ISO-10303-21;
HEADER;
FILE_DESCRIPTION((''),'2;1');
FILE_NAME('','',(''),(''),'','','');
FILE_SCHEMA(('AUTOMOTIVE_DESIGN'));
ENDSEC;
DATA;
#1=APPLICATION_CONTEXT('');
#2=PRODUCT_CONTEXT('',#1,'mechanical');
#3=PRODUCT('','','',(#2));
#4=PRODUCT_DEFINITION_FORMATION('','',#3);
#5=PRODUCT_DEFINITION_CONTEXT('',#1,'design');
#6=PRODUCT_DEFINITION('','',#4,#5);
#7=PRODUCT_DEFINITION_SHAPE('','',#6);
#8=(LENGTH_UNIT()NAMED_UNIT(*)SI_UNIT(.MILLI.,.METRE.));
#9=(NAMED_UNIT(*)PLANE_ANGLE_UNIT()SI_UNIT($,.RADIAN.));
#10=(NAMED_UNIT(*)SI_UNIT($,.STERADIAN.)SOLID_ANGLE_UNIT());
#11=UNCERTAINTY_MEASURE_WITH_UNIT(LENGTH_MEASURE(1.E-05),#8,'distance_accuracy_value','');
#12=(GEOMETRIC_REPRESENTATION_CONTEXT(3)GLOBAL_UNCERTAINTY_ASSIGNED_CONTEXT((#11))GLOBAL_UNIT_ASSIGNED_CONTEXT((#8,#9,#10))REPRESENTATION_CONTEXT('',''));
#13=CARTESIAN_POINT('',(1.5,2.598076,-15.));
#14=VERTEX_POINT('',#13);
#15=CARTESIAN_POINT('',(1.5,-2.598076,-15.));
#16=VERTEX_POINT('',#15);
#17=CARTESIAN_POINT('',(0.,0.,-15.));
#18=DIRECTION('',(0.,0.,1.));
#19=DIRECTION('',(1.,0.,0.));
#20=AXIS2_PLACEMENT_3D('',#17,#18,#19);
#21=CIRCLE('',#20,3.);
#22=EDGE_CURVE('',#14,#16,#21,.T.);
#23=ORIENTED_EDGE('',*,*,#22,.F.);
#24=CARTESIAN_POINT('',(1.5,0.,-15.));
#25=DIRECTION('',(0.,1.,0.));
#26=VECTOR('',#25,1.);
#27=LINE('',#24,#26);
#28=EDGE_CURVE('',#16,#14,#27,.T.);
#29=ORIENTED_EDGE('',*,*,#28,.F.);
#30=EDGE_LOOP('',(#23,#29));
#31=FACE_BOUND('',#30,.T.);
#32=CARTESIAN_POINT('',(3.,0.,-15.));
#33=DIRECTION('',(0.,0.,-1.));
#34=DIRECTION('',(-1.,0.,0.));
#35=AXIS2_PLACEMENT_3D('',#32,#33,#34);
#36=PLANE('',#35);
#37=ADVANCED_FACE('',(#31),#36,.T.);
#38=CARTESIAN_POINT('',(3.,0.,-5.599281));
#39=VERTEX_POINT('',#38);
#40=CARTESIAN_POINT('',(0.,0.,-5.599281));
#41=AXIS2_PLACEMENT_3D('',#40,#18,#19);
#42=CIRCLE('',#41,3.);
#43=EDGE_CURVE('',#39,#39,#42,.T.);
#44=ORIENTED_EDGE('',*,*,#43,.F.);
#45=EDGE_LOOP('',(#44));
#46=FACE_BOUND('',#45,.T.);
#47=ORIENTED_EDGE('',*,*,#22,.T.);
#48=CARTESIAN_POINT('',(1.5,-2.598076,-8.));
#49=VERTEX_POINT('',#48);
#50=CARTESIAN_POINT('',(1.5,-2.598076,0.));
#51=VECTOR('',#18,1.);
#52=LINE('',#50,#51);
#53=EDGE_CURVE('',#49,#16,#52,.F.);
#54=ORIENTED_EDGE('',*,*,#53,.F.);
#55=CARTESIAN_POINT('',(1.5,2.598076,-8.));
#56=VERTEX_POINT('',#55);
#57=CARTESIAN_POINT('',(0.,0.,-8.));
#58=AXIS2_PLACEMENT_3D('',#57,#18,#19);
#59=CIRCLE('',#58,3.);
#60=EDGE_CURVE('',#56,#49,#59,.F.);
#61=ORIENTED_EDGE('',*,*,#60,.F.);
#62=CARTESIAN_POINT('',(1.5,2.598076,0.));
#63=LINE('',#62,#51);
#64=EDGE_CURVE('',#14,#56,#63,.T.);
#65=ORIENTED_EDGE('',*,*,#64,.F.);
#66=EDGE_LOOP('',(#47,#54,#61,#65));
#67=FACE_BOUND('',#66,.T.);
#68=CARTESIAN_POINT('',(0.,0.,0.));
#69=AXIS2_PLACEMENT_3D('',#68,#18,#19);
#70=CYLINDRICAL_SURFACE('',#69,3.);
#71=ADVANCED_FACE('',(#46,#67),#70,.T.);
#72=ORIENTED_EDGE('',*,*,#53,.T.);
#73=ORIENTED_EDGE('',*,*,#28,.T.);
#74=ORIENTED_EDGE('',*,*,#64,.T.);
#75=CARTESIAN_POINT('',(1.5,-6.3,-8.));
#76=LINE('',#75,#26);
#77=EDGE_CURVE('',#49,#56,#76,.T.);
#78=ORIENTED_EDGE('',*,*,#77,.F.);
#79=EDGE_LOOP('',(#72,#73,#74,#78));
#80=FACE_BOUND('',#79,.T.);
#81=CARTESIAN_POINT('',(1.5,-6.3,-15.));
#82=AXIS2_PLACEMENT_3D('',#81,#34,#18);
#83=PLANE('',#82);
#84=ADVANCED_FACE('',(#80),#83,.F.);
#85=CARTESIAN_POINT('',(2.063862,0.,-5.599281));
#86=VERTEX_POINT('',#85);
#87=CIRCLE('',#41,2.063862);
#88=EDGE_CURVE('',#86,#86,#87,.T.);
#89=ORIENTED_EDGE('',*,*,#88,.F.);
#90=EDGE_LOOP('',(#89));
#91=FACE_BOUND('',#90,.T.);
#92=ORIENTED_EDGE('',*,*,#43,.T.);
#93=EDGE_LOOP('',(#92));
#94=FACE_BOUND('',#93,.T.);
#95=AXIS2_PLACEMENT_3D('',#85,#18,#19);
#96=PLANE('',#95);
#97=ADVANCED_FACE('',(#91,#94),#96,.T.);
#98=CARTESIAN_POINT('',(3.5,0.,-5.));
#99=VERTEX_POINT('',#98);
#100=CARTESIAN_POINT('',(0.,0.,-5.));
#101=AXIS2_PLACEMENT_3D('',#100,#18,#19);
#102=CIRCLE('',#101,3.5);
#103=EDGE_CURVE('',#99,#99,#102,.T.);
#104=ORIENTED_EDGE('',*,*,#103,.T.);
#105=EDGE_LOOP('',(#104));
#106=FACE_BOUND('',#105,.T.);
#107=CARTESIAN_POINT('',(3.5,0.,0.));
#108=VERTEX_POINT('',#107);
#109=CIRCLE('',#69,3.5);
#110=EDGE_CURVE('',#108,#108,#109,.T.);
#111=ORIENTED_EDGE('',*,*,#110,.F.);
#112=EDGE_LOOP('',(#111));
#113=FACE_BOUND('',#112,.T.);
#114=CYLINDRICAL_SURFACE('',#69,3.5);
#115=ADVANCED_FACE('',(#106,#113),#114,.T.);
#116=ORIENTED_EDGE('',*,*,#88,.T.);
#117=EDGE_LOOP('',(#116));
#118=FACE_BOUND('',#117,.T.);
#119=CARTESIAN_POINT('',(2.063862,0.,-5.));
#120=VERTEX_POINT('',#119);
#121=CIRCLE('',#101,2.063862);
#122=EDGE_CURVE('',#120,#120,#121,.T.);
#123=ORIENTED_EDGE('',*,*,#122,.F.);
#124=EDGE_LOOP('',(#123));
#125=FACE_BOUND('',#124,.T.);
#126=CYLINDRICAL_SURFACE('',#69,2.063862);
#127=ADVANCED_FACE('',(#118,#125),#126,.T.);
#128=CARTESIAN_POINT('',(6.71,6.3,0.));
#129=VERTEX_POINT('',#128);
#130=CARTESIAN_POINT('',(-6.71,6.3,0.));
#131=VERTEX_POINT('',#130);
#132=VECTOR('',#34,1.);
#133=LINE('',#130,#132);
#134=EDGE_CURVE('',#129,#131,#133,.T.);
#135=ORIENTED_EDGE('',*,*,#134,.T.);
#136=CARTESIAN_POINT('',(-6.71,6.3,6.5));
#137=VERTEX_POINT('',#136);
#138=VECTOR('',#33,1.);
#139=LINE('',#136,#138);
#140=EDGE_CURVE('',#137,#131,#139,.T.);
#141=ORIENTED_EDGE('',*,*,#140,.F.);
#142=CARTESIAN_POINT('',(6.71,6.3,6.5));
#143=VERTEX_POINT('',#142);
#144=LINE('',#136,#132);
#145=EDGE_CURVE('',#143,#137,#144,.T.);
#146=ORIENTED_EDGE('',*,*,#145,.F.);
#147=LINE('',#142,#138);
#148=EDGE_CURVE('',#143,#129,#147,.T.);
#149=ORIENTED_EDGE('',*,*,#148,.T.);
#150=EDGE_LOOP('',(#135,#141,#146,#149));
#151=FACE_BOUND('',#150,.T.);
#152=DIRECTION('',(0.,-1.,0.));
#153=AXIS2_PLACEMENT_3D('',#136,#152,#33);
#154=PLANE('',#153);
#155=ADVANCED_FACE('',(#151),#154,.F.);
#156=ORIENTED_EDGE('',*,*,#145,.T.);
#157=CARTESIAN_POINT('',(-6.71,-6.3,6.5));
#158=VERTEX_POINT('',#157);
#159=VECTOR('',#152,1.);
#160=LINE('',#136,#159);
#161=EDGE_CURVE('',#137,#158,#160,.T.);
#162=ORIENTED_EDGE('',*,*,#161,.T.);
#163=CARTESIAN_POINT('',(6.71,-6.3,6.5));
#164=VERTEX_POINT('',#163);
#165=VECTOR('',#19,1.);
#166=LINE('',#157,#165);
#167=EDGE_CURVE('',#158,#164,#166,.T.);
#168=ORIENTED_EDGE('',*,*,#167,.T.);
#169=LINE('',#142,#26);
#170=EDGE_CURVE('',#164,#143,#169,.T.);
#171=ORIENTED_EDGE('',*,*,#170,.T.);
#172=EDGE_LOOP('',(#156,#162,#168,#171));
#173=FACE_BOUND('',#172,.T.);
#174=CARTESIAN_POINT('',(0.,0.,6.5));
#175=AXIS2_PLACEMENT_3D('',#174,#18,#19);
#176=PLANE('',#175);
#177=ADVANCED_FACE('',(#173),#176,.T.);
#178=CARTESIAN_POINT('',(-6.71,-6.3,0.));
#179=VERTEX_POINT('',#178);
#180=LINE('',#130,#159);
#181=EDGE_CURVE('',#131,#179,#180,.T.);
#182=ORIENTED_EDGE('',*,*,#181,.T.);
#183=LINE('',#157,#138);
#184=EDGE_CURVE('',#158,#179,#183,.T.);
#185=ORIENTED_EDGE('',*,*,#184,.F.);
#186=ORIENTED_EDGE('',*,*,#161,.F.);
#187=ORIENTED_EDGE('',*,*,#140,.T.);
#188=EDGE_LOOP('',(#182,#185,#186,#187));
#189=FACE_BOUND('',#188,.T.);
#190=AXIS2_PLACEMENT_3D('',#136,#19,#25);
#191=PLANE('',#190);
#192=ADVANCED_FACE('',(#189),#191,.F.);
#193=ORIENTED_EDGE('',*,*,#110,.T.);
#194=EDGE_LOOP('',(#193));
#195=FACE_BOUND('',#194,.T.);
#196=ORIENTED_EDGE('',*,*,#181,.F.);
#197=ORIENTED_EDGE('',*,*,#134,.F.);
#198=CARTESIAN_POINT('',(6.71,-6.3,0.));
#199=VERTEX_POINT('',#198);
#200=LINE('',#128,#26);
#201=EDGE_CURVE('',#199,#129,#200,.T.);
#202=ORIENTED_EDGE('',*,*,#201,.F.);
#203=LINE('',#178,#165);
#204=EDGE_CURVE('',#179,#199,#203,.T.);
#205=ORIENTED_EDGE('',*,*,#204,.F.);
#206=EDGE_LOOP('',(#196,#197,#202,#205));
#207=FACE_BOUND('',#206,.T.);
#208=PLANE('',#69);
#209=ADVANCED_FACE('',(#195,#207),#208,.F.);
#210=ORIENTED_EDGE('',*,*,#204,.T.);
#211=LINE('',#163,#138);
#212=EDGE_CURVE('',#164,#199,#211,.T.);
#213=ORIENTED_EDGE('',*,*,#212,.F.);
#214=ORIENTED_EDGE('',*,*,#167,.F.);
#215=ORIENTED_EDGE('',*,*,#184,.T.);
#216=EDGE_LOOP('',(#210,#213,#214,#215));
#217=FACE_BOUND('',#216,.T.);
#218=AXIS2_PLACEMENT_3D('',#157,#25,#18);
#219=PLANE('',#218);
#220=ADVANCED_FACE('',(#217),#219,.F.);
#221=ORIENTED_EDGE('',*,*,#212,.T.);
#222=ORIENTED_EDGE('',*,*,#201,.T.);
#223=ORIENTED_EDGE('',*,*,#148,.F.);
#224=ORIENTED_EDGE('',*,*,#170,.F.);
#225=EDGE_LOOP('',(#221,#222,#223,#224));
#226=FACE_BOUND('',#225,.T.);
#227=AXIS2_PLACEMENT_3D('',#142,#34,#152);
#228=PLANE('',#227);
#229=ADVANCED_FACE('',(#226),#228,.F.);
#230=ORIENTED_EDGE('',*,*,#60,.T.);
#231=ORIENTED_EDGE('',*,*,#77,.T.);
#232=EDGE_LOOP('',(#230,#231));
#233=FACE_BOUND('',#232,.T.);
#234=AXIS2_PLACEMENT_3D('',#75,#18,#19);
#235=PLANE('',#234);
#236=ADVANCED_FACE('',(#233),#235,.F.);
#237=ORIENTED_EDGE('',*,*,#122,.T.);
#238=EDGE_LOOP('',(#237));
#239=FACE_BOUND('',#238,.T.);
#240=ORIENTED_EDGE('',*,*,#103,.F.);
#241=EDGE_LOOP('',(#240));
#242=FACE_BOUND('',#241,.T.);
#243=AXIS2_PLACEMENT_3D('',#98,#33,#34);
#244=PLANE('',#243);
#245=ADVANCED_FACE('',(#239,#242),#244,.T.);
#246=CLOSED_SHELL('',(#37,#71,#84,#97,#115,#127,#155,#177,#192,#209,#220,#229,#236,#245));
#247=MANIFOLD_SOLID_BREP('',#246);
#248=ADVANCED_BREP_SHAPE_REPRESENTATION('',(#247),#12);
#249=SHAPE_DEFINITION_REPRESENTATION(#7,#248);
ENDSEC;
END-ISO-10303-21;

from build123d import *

# Parameters (mm, degrees)
SKETCH1_W               = 13.42
SKETCH1_H               = 12.6
BOSS_EXTRUDE1_DEPTH     = 6.5
CUT_EXTRUDE1_DEPTH      = 18.598695974
CUT_EXTRUDE1_DEPTH_BACK = 18.598695974
SKETCH4_W               = 1.5
SKETCH4_H               = 7


with BuildPart() as part:
    # Sketch1 → Boss-Extrude1 (new body)
    with BuildSketch(Plane.XY):
        Rectangle(SKETCH1_W, SKETCH1_H)
    extrude(amount=BOSS_EXTRUDE1_DEPTH)

    # Sketch3 → Revolve1 (revolve)
    with BuildSketch(Plane(origin=(0, 0, 0), x_dir=(1, 0, 0), z_dir=(0, 1, 0))):
        Polygon((0, 0), (3.5, 0), (3.5, 5), (2.063862247, 5), (2.063862247, 5.599280985), (3, 5.599280985), (3, 15), (0, 15), align=None)
    revolve(axis=Axis((0, 0, 0), (0, 0, -1)))

    # Sketch4 → Cut-Extrude1 (cut, two sides: drawn at the far end of the back side and taken through both)
    with BuildSketch(Plane(origin=(0, 0, 0), x_dir=(1, 0, 0), z_dir=(0, 1, 0)).offset(-CUT_EXTRUDE1_DEPTH_BACK)):
        with Locations((2.25, 11.5)):
            Rectangle(SKETCH4_W, SKETCH4_H)
    extrude(amount=CUT_EXTRUDE1_DEPTH + CUT_EXTRUDE1_DEPTH_BACK, mode=Mode.SUBTRACT)


solid = part.part
